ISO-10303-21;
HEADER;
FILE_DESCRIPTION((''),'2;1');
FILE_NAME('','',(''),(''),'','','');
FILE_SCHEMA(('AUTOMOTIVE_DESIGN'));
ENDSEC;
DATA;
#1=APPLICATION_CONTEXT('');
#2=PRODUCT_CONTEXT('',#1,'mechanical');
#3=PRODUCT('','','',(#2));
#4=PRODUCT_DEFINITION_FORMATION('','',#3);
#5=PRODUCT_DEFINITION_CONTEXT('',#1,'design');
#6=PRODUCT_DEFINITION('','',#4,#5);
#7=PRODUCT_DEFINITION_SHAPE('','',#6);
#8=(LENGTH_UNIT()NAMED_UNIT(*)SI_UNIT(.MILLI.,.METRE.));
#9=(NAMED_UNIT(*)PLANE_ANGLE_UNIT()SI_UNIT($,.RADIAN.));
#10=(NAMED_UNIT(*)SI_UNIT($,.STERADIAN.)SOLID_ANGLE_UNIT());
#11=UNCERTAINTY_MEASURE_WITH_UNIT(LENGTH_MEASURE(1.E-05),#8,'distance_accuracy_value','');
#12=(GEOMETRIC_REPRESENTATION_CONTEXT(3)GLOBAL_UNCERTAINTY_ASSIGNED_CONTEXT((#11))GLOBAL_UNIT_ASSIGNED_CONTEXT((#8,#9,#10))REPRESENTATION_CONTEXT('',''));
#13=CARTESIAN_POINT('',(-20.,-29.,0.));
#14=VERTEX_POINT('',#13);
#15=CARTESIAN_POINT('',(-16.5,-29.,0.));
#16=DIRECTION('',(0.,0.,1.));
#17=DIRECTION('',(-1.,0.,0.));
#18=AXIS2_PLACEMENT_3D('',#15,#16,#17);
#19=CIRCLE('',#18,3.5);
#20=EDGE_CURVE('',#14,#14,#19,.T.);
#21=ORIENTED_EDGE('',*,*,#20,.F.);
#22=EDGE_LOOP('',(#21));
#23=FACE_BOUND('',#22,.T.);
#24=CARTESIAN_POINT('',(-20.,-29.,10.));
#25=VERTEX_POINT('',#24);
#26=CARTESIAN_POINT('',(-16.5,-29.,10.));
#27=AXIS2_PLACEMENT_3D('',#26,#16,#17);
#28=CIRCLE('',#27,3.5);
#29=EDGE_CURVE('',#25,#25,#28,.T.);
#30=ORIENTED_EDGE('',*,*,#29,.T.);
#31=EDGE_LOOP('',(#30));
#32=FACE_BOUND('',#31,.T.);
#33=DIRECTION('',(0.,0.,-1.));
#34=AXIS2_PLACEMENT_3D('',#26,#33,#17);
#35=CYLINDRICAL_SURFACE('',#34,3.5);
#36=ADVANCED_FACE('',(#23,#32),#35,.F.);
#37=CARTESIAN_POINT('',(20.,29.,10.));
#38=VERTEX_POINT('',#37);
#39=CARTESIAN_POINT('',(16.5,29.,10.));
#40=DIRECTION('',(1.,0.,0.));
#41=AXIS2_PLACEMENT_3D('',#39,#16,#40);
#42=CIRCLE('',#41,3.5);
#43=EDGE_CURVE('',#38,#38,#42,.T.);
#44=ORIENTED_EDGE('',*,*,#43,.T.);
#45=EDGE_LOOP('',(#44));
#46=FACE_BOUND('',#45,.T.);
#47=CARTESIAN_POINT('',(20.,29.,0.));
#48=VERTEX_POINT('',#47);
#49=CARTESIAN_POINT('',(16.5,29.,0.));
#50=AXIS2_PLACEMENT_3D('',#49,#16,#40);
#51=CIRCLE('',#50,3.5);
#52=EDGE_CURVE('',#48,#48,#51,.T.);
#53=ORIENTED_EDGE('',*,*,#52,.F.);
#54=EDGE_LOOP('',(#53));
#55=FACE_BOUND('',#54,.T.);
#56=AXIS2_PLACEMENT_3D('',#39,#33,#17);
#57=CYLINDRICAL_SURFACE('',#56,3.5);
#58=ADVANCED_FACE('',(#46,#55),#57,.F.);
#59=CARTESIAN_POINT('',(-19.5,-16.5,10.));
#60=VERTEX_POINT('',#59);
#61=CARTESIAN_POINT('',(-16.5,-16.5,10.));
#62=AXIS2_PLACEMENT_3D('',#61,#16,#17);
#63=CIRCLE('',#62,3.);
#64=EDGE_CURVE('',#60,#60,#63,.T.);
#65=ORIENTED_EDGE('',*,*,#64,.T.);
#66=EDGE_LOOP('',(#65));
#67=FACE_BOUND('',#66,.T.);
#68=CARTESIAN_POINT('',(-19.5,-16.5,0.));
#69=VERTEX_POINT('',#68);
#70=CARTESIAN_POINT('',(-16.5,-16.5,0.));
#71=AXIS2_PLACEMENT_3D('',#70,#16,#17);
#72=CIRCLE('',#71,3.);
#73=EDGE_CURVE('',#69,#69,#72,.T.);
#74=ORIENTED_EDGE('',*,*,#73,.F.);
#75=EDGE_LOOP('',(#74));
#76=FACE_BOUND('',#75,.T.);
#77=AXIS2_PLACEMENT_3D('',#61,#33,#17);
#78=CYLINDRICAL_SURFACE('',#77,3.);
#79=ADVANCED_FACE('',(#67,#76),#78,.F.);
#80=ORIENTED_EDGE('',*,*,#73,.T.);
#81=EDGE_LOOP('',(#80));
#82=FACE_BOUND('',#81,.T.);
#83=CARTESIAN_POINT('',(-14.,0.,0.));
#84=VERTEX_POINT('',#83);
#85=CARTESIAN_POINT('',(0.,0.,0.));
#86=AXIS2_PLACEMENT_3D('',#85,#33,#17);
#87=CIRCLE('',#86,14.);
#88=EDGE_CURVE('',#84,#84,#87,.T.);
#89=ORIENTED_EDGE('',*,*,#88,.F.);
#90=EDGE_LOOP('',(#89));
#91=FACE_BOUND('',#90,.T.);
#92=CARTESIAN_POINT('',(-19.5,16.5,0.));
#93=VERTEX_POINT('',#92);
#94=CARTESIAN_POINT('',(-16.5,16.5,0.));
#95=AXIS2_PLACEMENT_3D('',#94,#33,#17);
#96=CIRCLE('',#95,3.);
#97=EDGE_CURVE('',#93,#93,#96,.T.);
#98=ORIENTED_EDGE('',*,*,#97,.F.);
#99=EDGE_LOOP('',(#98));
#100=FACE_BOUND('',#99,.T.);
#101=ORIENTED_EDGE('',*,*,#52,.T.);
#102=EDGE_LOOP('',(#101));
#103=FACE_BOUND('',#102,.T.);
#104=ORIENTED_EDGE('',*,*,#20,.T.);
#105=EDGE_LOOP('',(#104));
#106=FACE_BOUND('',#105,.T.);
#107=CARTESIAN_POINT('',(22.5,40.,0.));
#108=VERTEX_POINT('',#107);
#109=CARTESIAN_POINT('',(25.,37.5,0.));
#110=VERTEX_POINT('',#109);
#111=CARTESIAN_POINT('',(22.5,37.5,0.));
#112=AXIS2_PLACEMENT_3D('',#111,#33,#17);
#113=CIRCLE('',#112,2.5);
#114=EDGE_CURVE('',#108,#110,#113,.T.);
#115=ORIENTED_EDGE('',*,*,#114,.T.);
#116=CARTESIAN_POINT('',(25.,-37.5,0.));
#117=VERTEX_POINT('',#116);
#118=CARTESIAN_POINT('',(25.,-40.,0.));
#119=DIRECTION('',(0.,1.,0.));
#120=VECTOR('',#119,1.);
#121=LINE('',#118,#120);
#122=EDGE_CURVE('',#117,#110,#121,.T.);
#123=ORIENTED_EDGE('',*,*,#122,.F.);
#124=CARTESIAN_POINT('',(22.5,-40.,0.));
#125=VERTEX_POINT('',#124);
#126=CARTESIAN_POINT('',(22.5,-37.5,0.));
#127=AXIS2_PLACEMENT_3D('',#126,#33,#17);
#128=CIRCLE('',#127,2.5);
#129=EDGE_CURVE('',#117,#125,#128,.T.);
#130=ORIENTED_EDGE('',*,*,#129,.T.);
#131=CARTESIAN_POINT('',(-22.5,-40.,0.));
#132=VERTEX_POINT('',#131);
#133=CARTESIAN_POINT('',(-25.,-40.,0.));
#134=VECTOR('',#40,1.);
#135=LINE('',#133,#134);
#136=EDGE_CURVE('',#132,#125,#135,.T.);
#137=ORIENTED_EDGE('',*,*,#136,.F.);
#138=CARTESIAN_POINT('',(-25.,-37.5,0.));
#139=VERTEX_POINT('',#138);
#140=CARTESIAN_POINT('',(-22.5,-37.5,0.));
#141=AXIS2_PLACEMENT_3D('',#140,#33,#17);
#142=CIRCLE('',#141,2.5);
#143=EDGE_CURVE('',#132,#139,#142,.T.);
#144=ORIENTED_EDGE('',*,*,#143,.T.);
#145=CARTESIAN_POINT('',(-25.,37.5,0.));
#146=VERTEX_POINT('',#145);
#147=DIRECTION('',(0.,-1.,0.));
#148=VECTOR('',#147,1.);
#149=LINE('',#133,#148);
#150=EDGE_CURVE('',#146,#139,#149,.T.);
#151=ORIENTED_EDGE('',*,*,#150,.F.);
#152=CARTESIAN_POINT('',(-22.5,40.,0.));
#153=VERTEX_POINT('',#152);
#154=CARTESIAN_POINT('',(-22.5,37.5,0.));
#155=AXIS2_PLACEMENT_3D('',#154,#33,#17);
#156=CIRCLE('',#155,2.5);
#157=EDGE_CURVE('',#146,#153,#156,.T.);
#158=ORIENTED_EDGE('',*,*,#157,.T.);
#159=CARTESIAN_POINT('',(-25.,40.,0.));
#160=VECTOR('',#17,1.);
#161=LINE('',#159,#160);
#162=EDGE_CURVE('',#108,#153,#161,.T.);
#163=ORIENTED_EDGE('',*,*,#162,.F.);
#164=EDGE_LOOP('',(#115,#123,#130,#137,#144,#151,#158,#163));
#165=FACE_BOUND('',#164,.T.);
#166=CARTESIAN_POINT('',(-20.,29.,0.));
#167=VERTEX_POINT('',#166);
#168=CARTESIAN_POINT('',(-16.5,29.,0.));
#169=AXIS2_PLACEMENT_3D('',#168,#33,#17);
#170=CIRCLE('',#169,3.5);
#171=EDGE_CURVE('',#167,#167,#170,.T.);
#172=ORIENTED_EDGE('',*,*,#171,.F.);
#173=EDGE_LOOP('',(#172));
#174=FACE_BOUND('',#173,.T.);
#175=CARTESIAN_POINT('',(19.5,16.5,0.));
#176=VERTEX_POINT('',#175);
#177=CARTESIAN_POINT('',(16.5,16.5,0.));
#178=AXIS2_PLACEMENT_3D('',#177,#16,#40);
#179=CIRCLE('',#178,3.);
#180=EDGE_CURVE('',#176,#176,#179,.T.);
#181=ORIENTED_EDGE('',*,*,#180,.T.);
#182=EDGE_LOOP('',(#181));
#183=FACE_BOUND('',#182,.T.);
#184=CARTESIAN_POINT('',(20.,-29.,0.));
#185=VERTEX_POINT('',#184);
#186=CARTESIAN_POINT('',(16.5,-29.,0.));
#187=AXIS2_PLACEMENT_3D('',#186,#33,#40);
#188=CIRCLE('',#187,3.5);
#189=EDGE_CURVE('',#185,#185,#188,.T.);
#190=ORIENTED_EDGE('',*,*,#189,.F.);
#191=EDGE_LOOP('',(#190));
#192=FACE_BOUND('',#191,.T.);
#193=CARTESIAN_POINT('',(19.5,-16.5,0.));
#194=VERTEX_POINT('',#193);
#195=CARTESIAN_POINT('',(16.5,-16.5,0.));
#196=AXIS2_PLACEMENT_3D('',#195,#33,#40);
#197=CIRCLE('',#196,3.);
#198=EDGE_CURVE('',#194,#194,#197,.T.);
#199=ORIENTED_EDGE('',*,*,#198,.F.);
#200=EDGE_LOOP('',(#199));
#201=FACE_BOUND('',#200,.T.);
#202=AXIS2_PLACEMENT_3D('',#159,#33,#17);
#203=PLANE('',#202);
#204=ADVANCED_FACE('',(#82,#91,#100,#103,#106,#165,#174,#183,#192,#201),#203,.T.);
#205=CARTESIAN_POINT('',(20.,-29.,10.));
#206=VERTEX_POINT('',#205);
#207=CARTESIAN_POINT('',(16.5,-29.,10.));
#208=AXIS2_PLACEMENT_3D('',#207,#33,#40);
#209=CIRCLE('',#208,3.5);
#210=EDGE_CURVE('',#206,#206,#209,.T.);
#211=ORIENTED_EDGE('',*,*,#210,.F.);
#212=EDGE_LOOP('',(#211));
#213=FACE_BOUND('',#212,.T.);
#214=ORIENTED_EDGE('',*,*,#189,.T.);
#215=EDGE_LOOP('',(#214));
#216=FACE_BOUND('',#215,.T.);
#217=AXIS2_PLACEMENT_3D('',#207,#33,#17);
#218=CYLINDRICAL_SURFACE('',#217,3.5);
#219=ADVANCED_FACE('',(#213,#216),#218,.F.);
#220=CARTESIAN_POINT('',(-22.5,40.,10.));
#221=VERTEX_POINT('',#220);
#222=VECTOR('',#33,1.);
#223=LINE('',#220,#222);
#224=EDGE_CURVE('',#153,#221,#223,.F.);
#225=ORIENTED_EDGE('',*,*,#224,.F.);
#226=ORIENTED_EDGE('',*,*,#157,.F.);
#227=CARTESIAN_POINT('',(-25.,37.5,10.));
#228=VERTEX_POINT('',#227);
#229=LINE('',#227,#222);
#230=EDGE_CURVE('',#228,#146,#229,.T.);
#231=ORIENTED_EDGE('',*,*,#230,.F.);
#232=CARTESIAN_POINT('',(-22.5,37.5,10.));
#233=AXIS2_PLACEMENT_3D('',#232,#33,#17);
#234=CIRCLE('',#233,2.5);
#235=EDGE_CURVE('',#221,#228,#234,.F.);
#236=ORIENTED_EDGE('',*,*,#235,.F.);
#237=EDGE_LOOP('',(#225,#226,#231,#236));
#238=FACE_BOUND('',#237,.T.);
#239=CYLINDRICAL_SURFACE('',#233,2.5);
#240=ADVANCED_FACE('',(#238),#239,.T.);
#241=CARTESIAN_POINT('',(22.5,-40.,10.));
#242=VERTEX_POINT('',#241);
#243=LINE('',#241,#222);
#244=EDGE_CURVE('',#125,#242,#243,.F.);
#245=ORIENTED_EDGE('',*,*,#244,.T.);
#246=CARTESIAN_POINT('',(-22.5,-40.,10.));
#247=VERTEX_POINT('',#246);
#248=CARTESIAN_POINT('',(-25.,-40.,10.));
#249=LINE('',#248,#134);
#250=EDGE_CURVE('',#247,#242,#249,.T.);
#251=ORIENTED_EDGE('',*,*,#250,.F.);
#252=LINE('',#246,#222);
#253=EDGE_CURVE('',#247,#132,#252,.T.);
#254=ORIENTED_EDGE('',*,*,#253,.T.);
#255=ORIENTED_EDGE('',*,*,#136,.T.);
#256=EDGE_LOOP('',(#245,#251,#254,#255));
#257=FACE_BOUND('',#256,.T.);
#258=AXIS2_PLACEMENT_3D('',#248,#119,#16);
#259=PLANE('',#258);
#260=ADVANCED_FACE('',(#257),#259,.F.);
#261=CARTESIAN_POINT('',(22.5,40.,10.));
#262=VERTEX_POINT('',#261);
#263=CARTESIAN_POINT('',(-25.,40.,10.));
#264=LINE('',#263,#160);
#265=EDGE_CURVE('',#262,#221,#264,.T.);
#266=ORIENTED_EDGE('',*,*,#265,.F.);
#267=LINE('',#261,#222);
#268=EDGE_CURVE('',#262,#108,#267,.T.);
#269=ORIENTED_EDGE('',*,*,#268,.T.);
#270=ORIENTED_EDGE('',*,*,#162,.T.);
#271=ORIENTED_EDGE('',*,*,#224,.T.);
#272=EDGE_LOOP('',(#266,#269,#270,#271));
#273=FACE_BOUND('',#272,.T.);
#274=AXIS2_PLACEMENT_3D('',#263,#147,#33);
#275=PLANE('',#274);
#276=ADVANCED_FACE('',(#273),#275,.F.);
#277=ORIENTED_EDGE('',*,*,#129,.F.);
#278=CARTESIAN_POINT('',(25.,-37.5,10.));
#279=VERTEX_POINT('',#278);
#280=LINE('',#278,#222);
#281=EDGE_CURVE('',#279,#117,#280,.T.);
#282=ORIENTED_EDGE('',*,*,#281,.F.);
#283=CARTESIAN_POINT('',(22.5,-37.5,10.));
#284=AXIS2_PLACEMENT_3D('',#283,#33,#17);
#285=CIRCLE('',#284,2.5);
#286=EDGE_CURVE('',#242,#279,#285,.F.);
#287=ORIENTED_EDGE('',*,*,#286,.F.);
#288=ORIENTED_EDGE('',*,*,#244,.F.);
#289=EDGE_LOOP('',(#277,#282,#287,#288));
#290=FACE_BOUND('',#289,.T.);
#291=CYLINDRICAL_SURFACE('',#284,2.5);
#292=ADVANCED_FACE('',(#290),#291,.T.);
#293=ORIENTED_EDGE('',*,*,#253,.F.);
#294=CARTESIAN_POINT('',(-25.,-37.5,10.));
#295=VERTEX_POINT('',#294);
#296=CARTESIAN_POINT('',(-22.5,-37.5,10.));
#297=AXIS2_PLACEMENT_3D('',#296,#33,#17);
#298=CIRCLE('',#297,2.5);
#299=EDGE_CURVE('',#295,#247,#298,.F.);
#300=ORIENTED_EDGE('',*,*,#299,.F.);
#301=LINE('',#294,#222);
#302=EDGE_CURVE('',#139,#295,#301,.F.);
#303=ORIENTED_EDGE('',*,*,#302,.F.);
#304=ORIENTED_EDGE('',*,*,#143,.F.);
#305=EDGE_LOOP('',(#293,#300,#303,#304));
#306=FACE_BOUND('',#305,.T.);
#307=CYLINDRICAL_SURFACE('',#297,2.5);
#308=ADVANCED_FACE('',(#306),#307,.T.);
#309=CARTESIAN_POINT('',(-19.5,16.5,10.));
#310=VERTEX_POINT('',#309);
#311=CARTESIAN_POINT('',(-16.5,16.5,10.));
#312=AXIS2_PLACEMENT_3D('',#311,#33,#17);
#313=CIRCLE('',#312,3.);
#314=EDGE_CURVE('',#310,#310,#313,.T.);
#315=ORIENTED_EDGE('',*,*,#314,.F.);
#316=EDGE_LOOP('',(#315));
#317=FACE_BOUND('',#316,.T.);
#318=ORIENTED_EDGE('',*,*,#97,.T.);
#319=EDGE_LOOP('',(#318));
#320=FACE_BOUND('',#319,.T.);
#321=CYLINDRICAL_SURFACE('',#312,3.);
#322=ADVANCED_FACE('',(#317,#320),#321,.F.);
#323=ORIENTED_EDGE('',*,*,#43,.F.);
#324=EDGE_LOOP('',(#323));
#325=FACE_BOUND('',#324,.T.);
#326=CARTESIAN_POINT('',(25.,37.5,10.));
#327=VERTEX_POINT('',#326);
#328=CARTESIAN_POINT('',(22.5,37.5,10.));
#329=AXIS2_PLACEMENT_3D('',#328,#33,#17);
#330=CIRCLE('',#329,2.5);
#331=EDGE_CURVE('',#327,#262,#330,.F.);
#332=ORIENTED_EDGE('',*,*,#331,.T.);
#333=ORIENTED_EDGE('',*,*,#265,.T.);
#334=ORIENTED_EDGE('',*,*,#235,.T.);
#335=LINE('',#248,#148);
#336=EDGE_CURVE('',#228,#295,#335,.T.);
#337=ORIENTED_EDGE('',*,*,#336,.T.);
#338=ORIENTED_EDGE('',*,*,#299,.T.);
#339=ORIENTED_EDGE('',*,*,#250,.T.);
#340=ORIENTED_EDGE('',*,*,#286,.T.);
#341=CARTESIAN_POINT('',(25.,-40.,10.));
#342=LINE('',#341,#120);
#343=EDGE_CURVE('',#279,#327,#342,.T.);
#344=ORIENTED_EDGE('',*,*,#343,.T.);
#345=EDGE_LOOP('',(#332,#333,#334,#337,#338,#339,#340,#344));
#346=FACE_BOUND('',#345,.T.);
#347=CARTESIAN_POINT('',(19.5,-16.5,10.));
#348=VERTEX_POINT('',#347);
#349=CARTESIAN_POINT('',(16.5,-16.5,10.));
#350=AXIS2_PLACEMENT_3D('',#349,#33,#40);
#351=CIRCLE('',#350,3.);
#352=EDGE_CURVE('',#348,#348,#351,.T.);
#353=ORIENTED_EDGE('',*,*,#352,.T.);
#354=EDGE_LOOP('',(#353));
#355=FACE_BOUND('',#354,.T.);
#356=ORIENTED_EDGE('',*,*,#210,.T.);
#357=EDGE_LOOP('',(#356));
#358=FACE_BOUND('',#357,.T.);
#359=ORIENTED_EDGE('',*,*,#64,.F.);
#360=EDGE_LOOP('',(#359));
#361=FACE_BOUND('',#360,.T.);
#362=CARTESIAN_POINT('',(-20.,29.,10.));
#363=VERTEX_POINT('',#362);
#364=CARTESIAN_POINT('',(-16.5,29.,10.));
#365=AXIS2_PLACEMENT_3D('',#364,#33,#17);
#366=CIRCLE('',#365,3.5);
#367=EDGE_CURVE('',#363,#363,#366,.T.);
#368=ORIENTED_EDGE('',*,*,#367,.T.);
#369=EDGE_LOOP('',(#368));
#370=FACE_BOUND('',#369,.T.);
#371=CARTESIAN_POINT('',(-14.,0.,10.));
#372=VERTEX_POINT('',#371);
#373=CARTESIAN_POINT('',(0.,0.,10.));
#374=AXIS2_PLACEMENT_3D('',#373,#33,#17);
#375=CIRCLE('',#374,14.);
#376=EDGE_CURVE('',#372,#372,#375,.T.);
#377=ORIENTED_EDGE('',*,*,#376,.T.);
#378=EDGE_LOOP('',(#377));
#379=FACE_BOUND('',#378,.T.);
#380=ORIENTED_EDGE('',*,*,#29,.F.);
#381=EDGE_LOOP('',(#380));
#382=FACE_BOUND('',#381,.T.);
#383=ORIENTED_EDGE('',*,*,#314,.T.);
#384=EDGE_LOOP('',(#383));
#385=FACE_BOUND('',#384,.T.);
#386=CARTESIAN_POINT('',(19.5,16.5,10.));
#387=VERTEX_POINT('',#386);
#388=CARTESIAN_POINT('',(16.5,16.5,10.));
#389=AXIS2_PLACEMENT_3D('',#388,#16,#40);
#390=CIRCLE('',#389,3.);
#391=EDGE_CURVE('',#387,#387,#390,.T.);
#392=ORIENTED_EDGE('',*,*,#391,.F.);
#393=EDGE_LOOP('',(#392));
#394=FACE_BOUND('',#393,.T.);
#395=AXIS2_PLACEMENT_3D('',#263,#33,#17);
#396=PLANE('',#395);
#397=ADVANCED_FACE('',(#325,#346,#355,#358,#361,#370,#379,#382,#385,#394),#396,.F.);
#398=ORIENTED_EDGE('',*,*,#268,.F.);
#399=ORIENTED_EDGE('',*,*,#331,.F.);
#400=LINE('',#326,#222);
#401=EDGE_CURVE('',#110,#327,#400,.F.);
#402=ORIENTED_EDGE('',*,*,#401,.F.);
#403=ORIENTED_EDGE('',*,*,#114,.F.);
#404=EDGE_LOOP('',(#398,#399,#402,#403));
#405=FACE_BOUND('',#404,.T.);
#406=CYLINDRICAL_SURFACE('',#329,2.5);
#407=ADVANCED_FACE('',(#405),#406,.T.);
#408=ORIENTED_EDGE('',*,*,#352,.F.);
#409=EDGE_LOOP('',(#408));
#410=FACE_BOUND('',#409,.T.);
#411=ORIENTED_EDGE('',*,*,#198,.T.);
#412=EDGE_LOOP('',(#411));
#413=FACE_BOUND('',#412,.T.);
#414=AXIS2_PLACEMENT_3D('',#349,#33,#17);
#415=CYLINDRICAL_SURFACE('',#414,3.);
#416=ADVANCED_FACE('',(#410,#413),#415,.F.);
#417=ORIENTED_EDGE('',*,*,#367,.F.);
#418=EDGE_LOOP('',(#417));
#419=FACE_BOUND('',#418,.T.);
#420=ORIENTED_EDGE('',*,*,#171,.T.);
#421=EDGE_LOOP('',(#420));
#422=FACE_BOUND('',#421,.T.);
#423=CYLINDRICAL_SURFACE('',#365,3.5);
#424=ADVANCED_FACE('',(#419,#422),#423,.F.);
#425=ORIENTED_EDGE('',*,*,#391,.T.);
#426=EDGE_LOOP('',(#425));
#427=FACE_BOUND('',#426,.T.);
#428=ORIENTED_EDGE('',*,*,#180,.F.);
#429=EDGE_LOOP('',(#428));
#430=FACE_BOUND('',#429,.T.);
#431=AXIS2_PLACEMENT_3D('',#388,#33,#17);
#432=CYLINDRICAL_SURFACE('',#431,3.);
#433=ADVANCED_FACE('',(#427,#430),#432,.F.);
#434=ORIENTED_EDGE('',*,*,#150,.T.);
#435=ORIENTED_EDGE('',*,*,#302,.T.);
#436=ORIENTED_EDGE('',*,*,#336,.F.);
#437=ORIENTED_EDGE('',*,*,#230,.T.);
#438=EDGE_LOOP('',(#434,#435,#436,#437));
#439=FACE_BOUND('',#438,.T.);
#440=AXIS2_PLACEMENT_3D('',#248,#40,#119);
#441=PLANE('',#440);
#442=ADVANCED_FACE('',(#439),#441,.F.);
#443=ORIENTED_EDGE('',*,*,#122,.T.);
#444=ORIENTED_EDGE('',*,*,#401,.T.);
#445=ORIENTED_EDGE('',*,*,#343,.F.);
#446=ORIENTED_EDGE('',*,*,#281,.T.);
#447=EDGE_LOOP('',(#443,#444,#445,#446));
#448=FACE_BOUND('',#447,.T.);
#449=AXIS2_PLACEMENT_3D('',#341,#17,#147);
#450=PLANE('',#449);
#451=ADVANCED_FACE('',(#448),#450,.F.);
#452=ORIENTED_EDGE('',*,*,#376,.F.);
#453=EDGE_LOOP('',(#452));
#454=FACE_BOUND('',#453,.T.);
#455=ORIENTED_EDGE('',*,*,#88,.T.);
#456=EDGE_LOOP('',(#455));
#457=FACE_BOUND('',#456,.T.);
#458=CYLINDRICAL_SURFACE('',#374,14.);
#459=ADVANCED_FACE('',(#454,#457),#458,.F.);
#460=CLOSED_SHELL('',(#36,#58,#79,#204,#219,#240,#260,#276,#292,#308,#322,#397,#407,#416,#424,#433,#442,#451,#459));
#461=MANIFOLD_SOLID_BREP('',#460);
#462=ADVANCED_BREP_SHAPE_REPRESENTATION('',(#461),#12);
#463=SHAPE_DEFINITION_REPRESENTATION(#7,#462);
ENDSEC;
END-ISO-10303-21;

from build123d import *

# Parameters (mm, degrees)
SKETCH_2_W                 = 50
SKETCH_2_H                 = 80
EXTRUDE_1_DEPTH            = 10
SKETCH_3_R                 = 3.5
SKETCH_3_R_2               = 3
CUT_EXTRUDE_1_DEPTH        = 49.218253805
MIRROR_2_COPY_1_SKETCH_R   = 3.5
MIRROR_2_COPY_1_SKETCH_R_2 = 3
MIRROR_2_COPY_1_DEPTH      = 49.218253805
SKETCH_4_R                 = 14
CUT_EXTRUDE_2_DEPTH        = 49.218253805
FILLET_1_R                 = 2.5


with BuildPart() as part:
    # 草图2 → 凸台-拉伸1 (new body)
    with BuildSketch(Plane.XY):
        Rectangle(SKETCH_2_W, SKETCH_2_H)
    extrude(amount=EXTRUDE_1_DEPTH)

    # 草图3 → 切除-拉伸1 (cut, through all)
    with BuildSketch(Plane(origin=(0, 0, 0), x_dir=(-1, 0, 0), z_dir=(0, 0, -1))):
        with Locations((16.5, 29)):
            Circle(SKETCH_3_R)
        with Locations((16.5, 16.5)):
            Circle(SKETCH_3_R_2)
    cut_extrude_1 = extrude(amount=-CUT_EXTRUDE_1_DEPTH, mode=Mode.SUBTRACT)

    # 镜向1: 切除-拉伸1 across plane
    add(cut_extrude_1.mirror(Plane(origin=(0, 0, 0), x_dir=(0, 0, 1), z_dir=(1, 0, 0))), mode=Mode.SUBTRACT)

    # 镜向2: 切除-拉伸1 across plane
    add(cut_extrude_1.mirror(Plane.ZX), mode=Mode.SUBTRACT)

    # 镜向2 copy 1 sketch → 镜向2 copy 1 (cut, through all)
    with BuildSketch(Plane(origin=(0, 0, 0), x_dir=(1, 0, 0), z_dir=(0, 0, -1))):
        with Locations((16.5, 29)):
            Circle(MIRROR_2_COPY_1_SKETCH_R)
        with Locations((16.5, 16.5)):
            Circle(MIRROR_2_COPY_1_SKETCH_R_2)
    extrude(amount=-MIRROR_2_COPY_1_DEPTH, mode=Mode.SUBTRACT)

    # 草图4 → 切除-拉伸2 (cut, through all)
    with BuildSketch(Plane(origin=(0, 0, 0), x_dir=(-1, 0, 0), z_dir=(0, 0, -1))):
        Circle(SKETCH_4_R)
    extrude(amount=-CUT_EXTRUDE_2_DEPTH, mode=Mode.SUBTRACT)

    # 圆角1
    fillet_1_edges = [part.edges().sort_by_distance(p)[0] for p in [
        (-25, 40, 5),
        (25, 40, 5),
        (25, -40, 5),
        (-25, -40, 5),
    ]]
    fillet(fillet_1_edges, radius=FILLET_1_R)


solid = part.part
